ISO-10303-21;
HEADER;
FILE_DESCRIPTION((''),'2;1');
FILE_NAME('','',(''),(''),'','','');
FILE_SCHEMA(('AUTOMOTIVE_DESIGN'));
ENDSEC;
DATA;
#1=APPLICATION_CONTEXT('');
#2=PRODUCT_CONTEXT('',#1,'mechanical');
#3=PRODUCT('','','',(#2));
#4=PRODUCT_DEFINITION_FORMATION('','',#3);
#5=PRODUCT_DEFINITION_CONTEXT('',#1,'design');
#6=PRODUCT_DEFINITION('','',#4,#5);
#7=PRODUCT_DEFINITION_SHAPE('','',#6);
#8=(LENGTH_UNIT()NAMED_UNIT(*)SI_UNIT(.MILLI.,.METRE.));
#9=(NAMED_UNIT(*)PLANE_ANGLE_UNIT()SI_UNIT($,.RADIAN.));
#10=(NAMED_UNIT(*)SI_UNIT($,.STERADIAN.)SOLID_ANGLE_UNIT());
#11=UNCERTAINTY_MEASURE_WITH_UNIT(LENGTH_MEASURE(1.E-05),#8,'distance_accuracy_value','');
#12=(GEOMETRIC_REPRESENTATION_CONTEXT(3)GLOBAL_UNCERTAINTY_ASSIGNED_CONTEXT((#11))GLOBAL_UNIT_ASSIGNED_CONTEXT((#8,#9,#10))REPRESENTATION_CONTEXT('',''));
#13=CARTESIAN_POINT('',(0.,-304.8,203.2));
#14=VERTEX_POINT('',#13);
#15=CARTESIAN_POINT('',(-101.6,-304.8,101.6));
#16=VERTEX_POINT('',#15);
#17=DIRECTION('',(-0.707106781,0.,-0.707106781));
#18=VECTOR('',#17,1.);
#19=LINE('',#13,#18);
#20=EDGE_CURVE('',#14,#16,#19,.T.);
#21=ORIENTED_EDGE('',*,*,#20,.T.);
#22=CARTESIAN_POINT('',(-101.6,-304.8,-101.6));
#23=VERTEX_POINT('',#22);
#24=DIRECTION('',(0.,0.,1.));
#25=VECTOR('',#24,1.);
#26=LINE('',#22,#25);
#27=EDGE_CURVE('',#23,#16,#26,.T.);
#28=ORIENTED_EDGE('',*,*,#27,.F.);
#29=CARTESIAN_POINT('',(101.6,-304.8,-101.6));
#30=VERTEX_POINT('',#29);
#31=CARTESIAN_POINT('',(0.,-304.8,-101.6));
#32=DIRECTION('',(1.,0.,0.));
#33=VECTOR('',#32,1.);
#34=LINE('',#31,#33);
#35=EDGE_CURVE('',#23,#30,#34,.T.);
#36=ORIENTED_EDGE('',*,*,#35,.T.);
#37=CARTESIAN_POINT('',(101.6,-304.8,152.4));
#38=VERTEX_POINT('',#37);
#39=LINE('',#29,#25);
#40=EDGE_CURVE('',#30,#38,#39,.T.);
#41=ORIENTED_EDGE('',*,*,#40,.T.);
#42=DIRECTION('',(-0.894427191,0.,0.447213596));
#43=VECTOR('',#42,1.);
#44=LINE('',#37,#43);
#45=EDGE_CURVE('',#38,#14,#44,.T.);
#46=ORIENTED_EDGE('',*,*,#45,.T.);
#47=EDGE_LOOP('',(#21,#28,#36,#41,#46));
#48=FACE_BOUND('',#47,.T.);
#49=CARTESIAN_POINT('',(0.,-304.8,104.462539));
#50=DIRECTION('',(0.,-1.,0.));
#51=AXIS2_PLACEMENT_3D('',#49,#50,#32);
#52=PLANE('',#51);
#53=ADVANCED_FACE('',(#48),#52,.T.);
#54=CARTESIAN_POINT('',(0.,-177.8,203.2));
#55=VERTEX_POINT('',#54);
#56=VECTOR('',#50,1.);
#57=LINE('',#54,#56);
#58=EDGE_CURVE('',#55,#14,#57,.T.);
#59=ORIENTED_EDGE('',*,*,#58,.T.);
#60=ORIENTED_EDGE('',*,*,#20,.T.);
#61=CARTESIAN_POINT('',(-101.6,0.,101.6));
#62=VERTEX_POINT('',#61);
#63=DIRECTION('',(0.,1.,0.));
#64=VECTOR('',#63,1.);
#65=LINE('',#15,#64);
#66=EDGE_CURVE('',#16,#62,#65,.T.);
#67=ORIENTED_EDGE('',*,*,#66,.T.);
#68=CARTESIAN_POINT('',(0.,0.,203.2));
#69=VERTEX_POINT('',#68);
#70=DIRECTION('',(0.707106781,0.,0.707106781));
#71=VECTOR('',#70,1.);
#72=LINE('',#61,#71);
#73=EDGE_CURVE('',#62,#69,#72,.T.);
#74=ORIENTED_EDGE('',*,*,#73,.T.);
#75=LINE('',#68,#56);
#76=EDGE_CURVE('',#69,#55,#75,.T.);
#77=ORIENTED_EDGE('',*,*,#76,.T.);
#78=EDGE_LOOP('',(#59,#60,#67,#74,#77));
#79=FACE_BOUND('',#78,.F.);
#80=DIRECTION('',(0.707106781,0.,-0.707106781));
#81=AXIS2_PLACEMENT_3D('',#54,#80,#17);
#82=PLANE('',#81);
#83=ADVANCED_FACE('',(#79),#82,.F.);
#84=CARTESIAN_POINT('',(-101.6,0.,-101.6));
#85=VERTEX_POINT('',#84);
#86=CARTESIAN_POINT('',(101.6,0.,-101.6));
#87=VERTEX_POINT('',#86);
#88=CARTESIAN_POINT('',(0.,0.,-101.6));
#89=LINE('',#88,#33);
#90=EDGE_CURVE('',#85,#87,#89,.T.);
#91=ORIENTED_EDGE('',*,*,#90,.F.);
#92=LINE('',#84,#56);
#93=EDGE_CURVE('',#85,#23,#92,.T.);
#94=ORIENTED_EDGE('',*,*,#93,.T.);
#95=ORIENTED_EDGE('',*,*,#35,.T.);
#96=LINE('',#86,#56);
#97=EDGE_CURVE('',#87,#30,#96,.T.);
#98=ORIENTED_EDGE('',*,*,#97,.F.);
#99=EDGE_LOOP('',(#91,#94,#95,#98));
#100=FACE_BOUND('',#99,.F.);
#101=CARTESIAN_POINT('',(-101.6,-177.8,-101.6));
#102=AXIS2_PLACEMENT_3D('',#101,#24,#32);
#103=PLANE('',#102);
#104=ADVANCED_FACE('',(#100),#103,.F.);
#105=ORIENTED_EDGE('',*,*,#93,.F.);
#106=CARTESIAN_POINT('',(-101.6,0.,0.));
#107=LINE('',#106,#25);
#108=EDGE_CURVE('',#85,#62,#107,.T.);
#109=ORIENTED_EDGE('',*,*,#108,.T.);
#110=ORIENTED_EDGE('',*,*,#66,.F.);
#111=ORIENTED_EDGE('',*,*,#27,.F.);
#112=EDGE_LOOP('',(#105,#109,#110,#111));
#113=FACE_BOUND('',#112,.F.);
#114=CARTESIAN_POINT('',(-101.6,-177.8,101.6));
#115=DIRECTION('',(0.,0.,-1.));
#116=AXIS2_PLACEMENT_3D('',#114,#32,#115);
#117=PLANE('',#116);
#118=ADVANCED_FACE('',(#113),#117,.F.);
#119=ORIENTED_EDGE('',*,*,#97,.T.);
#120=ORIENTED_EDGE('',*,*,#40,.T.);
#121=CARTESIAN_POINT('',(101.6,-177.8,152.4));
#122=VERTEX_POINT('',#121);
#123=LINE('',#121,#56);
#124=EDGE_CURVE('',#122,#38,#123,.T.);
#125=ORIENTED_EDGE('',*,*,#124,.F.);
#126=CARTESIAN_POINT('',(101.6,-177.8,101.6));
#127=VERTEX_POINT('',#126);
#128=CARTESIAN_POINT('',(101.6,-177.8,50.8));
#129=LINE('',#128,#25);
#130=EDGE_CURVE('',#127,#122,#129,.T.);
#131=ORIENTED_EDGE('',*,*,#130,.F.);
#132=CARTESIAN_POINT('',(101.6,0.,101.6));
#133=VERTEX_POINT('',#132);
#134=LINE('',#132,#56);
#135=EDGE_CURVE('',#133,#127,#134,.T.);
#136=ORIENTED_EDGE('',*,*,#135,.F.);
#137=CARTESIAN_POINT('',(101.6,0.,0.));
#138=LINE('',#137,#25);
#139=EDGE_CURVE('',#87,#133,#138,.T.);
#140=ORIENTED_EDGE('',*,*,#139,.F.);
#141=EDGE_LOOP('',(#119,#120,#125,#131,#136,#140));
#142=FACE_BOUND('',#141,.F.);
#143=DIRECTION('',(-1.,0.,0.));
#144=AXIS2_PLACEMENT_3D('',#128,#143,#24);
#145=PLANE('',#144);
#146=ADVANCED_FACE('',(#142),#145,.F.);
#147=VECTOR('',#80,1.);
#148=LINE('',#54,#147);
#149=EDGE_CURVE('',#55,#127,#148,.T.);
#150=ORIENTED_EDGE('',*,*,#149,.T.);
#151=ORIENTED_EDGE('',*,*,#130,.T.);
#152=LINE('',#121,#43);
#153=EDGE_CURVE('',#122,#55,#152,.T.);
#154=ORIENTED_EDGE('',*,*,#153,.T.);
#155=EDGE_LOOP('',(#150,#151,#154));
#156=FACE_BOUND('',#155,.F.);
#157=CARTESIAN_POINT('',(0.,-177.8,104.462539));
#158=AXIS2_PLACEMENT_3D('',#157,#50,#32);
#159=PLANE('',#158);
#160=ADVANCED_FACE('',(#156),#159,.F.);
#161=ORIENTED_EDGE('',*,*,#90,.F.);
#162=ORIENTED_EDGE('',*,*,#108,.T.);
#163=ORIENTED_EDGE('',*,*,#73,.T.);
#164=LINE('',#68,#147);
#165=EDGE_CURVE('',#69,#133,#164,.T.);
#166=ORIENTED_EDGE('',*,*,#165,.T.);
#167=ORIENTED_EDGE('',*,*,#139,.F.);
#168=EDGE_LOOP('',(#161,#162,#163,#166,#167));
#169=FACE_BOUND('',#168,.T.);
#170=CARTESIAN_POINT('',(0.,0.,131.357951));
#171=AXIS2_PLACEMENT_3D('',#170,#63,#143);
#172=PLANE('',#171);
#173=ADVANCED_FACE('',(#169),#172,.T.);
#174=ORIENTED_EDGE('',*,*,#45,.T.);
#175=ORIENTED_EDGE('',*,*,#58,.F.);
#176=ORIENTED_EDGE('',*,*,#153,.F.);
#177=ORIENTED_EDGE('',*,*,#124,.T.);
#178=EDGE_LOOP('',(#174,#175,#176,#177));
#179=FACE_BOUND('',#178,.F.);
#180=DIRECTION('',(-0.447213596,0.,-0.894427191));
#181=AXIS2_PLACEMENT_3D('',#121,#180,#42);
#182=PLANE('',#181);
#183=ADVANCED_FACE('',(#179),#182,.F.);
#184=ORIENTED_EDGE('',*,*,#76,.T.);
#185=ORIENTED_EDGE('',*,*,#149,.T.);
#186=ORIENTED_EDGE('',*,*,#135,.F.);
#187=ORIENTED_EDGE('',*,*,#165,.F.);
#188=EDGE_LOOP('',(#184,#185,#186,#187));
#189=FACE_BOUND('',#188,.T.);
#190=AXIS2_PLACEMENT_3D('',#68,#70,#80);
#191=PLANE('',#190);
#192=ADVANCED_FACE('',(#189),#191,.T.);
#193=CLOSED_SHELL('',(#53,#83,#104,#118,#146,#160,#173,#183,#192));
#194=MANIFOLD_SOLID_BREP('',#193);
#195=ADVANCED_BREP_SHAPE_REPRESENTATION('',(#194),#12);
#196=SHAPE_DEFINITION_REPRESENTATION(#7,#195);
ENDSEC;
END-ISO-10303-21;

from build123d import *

# Parameters (mm, degrees)
F0_W     = 203.2
F0_H     = 203.2
F1_DEPTH = 177.8
F3_DEPTH = 177.8
F4_W     = 203.2
F4_H     = 152.4
F5_DEPTH = 127
F6_DEPTH = 127


with BuildPart() as f1:
    # F0 (on Front) → F1 (new body)
    with BuildSketch(Plane.XZ):
        Rectangle(F0_W, F0_H)
    extrude(amount=F1_DEPTH)

    # F2 (on face) → F3 (join)
    with BuildSketch(Plane(origin=(0, 0, 0), x_dir=(-1, 0, 0), z_dir=(0, 1, 0))):
        Polygon((0, 203.2), (-101.6, 101.6), (101.6, 101.6), align=None)
    extrude(amount=-F3_DEPTH)

    # F4 (on face) → F5 (join)
    with BuildSketch(Plane.XZ.offset(177.8)):
        with Locations((0, -25.4)):
            Rectangle(F4_W, F4_H)
    extrude(amount=F5_DEPTH)

    # F4 (on face) → F6 (join)
    with BuildSketch(Plane.XZ.offset(177.8)):
        Polygon((-101.6, 101.6), (-101.6, 50.8), (101.6, 50.8), (101.6, 101.6), (0, 203.2), align=None)
        Polygon((0, 203.2), (101.6, 101.6), (101.6, 152.4), align=None)
    extrude(amount=F6_DEPTH)


solid = f1.part
